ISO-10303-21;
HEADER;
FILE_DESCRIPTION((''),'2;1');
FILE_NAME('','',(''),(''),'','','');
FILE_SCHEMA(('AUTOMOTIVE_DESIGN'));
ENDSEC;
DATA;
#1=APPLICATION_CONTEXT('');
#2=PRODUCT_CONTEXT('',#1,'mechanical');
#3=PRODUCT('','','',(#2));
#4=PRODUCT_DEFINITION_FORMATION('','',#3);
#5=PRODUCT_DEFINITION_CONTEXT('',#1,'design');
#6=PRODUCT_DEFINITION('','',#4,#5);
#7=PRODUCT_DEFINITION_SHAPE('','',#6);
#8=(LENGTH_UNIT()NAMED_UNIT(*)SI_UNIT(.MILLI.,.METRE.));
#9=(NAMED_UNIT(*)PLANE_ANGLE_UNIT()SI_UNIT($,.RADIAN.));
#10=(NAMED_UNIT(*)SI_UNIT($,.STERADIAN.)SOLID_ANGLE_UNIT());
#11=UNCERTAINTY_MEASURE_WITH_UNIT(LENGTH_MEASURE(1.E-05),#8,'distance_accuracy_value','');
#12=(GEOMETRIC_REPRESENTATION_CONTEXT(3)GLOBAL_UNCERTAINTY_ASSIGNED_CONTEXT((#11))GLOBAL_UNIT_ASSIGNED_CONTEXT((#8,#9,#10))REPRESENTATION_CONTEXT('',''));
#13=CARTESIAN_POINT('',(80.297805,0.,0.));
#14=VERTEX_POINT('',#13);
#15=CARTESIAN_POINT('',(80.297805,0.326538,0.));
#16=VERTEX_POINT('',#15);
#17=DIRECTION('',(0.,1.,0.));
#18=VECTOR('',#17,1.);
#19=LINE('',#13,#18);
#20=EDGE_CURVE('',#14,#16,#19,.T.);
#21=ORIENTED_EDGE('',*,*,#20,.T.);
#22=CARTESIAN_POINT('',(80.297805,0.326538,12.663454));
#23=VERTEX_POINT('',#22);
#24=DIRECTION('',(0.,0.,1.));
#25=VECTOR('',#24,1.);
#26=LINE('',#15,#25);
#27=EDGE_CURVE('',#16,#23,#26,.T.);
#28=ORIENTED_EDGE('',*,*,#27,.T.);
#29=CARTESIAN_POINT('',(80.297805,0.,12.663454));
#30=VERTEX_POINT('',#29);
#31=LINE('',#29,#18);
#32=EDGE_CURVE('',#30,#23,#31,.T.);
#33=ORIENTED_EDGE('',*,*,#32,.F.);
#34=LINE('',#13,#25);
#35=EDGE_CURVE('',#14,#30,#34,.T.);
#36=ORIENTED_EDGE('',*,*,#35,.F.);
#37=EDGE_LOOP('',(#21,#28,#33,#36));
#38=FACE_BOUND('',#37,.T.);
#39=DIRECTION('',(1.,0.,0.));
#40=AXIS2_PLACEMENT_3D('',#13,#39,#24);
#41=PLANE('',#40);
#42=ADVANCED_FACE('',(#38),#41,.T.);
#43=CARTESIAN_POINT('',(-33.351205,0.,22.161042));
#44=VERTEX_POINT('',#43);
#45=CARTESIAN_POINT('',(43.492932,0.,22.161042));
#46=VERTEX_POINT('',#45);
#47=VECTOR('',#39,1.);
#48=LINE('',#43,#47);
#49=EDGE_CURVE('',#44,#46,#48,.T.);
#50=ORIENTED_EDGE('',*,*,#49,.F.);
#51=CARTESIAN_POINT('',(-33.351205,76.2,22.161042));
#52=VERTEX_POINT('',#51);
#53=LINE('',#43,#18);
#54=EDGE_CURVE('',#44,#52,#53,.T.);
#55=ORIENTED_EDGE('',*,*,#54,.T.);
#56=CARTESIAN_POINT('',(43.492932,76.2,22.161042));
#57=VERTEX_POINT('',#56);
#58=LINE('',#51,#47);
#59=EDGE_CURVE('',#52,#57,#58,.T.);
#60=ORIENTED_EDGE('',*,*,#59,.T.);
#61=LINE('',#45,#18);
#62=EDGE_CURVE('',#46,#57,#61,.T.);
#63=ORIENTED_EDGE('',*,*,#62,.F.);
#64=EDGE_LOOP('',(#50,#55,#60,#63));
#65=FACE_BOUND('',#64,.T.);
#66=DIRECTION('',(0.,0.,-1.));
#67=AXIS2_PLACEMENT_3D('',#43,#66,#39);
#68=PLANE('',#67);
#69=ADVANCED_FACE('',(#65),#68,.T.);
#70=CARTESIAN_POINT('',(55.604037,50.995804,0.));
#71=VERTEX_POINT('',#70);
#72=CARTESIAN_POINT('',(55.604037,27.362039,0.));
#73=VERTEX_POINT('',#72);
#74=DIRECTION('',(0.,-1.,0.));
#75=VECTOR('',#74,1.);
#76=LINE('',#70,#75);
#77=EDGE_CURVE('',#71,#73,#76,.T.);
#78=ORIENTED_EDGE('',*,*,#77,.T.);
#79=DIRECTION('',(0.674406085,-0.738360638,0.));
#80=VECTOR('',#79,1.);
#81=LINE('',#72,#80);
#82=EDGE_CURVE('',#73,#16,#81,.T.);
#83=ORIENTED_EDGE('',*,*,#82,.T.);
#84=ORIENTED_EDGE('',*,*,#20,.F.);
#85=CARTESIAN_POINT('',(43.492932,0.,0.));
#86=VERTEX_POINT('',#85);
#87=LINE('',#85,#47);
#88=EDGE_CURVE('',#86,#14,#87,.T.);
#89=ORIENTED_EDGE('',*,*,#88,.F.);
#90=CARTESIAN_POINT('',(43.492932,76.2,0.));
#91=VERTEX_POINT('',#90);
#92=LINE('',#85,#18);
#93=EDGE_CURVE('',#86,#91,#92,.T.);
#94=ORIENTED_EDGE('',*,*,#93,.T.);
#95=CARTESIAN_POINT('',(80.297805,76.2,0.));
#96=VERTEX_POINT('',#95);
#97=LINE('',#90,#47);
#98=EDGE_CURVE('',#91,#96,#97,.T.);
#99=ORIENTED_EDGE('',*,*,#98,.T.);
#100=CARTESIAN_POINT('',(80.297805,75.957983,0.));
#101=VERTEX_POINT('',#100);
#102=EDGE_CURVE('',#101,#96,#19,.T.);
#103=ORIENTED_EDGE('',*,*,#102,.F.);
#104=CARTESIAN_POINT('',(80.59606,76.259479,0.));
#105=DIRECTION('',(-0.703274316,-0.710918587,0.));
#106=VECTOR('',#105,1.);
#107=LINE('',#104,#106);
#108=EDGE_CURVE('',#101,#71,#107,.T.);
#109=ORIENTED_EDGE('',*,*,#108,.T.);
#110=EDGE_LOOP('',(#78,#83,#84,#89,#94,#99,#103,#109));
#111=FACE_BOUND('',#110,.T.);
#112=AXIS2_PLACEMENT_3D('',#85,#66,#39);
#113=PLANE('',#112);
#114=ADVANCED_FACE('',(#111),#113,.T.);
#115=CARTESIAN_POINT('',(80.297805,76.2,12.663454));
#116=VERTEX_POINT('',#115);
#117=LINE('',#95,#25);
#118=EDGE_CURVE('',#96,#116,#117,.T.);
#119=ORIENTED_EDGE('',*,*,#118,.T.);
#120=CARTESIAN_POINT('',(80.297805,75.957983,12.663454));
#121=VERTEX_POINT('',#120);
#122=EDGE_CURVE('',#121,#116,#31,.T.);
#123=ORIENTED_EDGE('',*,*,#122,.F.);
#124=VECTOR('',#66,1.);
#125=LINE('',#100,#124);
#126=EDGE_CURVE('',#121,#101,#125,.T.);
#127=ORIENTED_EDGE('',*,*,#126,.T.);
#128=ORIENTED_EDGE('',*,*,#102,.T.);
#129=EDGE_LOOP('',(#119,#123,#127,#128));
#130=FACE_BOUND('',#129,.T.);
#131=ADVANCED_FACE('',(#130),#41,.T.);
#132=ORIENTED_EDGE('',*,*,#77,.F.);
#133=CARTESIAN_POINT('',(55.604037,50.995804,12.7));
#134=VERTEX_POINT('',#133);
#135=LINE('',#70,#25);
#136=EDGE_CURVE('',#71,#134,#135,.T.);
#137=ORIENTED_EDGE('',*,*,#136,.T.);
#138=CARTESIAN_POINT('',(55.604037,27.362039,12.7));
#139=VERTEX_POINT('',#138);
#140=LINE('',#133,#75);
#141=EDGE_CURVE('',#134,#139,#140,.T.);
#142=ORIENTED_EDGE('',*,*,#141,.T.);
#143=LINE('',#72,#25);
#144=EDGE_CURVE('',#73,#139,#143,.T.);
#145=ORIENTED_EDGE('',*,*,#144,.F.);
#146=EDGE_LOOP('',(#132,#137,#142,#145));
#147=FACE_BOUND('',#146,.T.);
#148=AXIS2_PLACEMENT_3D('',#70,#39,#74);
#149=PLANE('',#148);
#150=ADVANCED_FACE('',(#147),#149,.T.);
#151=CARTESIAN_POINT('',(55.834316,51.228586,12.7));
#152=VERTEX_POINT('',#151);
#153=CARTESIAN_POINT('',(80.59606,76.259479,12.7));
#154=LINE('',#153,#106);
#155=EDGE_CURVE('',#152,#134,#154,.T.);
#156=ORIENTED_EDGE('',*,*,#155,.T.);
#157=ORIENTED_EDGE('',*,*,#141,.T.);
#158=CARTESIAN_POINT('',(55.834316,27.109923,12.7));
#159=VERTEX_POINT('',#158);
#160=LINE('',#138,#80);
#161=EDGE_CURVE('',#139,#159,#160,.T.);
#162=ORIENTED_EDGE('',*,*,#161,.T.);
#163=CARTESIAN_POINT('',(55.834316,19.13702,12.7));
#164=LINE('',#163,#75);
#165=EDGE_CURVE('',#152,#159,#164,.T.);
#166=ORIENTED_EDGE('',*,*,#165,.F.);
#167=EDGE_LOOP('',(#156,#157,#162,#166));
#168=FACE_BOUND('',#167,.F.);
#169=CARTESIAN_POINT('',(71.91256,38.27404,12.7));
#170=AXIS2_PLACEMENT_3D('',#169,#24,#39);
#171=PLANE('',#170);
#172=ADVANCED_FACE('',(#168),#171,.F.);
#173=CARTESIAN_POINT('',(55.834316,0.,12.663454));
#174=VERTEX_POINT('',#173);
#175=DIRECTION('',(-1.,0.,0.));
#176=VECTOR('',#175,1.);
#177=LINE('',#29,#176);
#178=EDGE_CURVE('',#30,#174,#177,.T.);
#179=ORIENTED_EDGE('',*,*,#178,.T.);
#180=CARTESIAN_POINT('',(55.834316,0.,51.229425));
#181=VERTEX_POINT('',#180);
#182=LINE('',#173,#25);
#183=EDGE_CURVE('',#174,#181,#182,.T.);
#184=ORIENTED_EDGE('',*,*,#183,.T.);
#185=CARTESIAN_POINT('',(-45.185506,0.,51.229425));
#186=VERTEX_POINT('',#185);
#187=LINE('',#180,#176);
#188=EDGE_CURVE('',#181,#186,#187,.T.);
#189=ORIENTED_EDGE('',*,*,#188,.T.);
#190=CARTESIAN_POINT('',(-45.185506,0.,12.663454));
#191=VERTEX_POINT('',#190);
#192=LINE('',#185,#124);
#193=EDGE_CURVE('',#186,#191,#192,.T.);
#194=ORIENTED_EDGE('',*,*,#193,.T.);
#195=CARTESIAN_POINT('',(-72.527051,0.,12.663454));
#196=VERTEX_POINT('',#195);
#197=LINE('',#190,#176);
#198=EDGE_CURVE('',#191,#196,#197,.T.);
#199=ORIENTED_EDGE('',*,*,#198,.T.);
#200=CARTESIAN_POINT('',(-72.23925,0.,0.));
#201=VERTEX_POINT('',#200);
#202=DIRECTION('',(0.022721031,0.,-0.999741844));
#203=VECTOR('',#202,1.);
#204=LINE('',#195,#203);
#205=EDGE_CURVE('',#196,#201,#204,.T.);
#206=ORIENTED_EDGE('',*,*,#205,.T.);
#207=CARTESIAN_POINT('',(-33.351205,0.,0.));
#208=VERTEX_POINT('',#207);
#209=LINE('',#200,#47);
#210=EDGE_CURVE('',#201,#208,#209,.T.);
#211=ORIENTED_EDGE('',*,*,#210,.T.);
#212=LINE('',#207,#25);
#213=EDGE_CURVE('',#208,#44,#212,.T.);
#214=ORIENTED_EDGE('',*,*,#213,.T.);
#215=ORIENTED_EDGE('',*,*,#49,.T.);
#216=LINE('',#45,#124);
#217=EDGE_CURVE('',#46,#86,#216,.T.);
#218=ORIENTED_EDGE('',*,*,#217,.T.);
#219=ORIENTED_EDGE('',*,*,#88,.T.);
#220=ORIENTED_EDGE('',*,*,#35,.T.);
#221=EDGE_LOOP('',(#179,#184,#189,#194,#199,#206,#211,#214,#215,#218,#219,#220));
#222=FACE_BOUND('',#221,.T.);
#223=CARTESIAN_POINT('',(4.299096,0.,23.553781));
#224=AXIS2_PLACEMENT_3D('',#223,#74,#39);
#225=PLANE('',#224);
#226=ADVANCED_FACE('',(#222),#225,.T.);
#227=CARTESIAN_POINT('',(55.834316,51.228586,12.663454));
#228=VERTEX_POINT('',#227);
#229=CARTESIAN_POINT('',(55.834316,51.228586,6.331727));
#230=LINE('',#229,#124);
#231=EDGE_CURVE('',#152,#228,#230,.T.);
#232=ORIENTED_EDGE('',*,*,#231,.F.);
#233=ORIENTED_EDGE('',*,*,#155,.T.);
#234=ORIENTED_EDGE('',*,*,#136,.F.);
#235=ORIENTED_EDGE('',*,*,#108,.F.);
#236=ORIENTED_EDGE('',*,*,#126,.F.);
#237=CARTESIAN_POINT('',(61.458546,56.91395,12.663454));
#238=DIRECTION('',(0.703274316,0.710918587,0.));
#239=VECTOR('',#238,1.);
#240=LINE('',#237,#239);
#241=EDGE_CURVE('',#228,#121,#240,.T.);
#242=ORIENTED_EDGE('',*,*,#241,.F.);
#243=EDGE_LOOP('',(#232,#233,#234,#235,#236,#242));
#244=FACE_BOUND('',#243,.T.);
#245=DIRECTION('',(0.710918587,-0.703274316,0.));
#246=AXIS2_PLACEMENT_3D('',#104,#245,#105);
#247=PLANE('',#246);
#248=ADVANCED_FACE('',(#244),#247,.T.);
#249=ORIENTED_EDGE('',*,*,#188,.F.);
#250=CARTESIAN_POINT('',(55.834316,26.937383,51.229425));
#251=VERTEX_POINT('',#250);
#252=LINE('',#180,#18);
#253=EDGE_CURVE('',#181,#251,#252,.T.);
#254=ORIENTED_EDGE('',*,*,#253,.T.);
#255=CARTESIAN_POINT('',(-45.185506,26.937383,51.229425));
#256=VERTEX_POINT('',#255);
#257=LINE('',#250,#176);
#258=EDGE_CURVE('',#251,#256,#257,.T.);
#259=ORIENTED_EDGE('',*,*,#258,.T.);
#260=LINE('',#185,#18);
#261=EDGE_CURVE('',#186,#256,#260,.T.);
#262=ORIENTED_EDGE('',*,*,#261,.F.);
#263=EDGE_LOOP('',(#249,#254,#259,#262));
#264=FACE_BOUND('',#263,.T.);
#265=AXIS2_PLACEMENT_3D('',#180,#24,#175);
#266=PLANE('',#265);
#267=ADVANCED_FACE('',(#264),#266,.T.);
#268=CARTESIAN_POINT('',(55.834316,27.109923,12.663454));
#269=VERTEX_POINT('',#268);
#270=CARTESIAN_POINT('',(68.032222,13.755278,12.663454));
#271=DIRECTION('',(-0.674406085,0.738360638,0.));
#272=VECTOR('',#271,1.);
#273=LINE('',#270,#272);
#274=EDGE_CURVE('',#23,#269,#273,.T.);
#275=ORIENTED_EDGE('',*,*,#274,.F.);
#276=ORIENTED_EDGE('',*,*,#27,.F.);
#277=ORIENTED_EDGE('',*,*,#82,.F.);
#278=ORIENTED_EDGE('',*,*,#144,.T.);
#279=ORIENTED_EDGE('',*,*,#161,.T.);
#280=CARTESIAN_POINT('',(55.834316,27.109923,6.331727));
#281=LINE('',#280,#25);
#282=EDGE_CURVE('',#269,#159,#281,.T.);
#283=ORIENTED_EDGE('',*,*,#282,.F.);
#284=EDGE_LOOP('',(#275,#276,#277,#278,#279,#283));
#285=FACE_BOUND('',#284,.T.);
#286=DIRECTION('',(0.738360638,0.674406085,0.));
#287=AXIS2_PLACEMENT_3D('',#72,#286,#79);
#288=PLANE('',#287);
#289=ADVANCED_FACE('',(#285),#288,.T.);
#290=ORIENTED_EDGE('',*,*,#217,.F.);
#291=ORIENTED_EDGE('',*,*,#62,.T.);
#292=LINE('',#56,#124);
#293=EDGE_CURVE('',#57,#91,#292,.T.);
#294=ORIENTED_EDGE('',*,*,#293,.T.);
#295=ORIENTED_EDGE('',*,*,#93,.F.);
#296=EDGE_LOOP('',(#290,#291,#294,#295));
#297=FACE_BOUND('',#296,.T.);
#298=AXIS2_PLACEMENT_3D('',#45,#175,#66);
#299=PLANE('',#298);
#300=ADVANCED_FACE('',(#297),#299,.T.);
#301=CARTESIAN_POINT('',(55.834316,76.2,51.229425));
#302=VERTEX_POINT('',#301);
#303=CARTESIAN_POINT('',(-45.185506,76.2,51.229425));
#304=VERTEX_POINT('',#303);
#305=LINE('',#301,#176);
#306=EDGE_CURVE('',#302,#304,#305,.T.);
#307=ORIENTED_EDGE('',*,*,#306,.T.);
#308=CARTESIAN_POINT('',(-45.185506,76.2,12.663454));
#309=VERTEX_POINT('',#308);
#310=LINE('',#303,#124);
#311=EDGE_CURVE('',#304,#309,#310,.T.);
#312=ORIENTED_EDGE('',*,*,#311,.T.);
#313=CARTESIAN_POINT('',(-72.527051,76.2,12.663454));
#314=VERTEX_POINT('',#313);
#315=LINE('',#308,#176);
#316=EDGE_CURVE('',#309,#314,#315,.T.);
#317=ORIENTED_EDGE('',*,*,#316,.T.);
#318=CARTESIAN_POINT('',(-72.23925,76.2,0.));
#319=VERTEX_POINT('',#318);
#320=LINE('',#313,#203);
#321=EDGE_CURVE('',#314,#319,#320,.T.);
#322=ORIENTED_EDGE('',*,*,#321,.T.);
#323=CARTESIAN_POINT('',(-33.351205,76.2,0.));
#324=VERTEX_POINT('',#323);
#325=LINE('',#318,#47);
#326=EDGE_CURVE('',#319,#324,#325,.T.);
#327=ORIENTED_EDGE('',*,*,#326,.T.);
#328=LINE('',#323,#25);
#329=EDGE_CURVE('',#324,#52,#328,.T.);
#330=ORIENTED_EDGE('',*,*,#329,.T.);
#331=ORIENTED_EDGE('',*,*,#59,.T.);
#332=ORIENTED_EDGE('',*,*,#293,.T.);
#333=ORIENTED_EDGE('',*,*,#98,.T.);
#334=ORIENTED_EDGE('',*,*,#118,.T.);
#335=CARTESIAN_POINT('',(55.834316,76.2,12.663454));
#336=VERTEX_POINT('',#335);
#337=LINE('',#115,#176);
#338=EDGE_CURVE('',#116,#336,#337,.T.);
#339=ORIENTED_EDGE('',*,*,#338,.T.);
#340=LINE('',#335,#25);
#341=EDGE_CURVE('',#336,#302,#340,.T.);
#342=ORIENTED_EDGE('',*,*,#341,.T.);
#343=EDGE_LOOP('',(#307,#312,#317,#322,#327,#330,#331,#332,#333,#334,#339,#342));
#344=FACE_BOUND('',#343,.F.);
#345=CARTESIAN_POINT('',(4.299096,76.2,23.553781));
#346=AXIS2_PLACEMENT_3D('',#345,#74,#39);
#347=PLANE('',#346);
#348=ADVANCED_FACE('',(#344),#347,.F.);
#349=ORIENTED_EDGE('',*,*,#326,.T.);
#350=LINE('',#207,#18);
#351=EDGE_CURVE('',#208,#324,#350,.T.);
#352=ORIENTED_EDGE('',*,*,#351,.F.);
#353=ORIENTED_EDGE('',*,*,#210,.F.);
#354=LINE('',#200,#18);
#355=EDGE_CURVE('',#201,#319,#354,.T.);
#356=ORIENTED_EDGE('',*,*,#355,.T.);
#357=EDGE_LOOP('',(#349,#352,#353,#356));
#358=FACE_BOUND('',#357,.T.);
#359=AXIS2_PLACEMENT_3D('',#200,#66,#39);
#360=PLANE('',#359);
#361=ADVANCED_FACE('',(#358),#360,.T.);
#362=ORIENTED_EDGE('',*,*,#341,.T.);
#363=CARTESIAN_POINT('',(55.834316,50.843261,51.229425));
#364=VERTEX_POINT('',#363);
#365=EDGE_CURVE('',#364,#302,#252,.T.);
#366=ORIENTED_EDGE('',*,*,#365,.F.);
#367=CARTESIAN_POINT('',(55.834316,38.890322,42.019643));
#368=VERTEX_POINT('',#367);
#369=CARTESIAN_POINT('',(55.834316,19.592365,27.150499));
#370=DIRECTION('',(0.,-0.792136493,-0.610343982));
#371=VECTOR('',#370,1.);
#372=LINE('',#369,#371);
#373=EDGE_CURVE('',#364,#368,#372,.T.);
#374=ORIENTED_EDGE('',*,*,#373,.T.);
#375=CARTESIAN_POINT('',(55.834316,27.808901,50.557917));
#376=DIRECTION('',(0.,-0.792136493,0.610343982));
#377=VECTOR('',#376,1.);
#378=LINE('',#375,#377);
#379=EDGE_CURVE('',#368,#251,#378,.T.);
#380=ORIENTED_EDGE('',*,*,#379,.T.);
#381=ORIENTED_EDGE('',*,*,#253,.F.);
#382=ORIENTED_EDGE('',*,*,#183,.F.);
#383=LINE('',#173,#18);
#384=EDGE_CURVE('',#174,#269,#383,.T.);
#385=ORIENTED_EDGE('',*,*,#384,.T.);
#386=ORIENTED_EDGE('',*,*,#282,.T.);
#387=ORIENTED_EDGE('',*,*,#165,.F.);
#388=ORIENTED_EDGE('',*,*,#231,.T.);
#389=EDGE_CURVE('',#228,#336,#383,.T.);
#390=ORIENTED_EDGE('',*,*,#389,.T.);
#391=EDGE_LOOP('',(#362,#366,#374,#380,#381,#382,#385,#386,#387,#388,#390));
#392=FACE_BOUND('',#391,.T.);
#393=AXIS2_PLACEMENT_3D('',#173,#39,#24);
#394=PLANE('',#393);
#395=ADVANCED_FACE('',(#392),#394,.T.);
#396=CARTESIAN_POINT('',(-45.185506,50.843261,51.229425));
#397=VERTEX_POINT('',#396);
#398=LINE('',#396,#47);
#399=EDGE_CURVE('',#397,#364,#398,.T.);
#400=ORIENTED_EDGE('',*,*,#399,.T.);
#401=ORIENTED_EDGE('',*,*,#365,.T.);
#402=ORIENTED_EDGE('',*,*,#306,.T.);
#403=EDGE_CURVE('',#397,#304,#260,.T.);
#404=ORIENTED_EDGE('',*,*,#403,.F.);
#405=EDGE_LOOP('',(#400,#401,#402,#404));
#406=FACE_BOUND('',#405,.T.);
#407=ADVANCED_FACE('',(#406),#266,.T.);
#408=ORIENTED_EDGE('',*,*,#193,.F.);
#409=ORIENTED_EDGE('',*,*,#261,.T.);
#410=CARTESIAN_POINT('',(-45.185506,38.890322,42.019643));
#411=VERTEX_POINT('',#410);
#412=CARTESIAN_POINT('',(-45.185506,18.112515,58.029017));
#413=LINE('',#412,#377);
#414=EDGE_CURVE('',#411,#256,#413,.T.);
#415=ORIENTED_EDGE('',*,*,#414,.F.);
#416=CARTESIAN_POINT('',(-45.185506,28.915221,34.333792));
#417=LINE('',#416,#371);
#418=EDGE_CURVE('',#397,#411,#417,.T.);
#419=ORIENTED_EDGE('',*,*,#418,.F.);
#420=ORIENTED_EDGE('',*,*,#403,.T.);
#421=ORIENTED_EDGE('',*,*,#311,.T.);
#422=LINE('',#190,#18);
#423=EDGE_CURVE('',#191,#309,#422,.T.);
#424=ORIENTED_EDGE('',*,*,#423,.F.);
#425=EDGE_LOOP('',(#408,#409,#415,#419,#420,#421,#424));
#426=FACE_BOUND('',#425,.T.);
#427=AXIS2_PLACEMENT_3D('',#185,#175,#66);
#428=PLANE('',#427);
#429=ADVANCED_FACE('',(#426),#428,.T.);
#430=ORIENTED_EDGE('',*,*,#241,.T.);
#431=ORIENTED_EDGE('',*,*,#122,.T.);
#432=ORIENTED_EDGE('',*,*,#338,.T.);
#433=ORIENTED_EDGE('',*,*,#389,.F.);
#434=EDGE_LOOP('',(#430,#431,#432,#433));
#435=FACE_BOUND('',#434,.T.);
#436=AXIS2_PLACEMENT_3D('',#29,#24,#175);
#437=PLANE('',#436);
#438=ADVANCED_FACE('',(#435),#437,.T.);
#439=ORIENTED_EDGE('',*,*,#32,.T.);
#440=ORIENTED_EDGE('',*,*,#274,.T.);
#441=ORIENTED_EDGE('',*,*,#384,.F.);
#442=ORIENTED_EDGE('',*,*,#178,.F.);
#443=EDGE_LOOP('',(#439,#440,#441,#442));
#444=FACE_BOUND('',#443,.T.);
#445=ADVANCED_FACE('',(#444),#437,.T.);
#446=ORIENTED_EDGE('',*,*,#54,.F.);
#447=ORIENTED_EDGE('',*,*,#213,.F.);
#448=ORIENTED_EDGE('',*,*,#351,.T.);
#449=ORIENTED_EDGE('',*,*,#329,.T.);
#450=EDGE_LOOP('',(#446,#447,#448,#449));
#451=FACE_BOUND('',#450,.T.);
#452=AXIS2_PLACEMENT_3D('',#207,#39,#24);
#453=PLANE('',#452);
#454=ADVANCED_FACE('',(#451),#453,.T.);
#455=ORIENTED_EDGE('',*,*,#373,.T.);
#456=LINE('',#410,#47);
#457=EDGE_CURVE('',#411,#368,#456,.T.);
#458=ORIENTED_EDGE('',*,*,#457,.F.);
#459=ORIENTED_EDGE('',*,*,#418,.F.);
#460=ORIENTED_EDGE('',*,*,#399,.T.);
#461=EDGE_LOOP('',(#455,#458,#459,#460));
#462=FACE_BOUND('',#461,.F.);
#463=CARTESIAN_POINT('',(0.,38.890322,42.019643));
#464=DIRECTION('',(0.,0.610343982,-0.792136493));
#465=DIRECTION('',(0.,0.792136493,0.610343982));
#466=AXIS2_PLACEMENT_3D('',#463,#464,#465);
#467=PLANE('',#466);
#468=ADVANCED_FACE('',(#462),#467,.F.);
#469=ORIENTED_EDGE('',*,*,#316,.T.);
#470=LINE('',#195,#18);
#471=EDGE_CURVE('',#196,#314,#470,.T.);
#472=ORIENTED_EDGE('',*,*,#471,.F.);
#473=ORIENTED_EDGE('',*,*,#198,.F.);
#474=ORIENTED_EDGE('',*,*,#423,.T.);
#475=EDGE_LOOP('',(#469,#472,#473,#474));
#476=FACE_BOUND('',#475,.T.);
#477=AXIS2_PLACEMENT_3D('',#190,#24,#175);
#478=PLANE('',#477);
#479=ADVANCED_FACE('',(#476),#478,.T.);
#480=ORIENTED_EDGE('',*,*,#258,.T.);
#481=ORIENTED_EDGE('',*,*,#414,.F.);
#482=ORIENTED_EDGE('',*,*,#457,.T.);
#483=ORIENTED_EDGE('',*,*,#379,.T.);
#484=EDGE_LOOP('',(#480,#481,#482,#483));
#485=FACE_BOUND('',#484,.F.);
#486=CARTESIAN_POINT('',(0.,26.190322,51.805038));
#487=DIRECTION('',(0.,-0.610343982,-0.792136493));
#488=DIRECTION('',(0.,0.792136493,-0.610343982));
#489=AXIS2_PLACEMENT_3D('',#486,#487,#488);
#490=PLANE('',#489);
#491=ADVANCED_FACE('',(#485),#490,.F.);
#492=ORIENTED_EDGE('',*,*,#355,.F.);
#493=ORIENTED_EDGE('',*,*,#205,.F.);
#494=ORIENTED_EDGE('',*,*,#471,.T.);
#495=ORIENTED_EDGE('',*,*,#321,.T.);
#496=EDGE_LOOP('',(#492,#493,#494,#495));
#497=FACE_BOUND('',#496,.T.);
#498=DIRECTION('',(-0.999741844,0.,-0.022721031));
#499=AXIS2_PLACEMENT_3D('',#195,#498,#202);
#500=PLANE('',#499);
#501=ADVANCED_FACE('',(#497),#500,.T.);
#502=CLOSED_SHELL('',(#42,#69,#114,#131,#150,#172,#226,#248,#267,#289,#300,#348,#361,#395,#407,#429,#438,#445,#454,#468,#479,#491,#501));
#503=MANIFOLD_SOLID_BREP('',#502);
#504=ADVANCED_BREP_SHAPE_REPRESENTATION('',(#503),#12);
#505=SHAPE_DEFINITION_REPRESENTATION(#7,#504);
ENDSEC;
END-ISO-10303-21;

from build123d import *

# Parameters (mm, degrees)
F1_DEPTH = 76.2
F3_DEPTH = 50.8
F4_DEPTH = 76.2
F6_DEPTH = 12.7


with BuildPart() as f1:
    # F0 (on Front) → F1 (new body)
    with BuildSketch(Plane.XZ):
        Polygon((-72.527050972, 12.6634538174), (-72.2392499447, 0), (-33.3512052894, 0), (-33.3512052894, 22.1610423177), (43.4929318726, 22.1610423177), (43.4929318726, 0), (80.2978053689, 0), (80.2978053689, 12.6634538174), (55.8343157172, 12.6634538174), (55.8343157172, 51.2294247746), (-45.1855063438, 51.2294247746), (-45.1855063438, 12.6634538174), align=None)
    extrude(amount=-F1_DEPTH)

    # F2 (on Right) → F3 (cut)
    with BuildSketch(Plane.YZ):
        Polygon((51.5903218925, 51.8050380051), (38.8903218925, 51.8050380051), (26.1903218925, 51.8050380051), (38.8903218925, 42.0196428895), align=None)
    extrude(amount=-F3_DEPTH, mode=Mode.SUBTRACT)

    # F4 (cut): a face of the model
    f4_faces = [f1.faces().sort_by_distance(p)[0] for p in [
        (0, 38.8903218925, 48.1594974796),
    ]]
    extrude(f4_faces, amount=-F4_DEPTH, mode=Mode.SUBTRACT)

    # F5 (on Top) → F6 (cut)
    with BuildSketch(Plane.XY):
        Polygon((55.6040368974, 27.3620393127), (80.5960595608, 0), (80.5960595608, 76.2594789267), (55.6040368974, 50.9958043694), align=None)
    extrude(amount=F6_DEPTH, mode=Mode.SUBTRACT)


solid = f1.part
